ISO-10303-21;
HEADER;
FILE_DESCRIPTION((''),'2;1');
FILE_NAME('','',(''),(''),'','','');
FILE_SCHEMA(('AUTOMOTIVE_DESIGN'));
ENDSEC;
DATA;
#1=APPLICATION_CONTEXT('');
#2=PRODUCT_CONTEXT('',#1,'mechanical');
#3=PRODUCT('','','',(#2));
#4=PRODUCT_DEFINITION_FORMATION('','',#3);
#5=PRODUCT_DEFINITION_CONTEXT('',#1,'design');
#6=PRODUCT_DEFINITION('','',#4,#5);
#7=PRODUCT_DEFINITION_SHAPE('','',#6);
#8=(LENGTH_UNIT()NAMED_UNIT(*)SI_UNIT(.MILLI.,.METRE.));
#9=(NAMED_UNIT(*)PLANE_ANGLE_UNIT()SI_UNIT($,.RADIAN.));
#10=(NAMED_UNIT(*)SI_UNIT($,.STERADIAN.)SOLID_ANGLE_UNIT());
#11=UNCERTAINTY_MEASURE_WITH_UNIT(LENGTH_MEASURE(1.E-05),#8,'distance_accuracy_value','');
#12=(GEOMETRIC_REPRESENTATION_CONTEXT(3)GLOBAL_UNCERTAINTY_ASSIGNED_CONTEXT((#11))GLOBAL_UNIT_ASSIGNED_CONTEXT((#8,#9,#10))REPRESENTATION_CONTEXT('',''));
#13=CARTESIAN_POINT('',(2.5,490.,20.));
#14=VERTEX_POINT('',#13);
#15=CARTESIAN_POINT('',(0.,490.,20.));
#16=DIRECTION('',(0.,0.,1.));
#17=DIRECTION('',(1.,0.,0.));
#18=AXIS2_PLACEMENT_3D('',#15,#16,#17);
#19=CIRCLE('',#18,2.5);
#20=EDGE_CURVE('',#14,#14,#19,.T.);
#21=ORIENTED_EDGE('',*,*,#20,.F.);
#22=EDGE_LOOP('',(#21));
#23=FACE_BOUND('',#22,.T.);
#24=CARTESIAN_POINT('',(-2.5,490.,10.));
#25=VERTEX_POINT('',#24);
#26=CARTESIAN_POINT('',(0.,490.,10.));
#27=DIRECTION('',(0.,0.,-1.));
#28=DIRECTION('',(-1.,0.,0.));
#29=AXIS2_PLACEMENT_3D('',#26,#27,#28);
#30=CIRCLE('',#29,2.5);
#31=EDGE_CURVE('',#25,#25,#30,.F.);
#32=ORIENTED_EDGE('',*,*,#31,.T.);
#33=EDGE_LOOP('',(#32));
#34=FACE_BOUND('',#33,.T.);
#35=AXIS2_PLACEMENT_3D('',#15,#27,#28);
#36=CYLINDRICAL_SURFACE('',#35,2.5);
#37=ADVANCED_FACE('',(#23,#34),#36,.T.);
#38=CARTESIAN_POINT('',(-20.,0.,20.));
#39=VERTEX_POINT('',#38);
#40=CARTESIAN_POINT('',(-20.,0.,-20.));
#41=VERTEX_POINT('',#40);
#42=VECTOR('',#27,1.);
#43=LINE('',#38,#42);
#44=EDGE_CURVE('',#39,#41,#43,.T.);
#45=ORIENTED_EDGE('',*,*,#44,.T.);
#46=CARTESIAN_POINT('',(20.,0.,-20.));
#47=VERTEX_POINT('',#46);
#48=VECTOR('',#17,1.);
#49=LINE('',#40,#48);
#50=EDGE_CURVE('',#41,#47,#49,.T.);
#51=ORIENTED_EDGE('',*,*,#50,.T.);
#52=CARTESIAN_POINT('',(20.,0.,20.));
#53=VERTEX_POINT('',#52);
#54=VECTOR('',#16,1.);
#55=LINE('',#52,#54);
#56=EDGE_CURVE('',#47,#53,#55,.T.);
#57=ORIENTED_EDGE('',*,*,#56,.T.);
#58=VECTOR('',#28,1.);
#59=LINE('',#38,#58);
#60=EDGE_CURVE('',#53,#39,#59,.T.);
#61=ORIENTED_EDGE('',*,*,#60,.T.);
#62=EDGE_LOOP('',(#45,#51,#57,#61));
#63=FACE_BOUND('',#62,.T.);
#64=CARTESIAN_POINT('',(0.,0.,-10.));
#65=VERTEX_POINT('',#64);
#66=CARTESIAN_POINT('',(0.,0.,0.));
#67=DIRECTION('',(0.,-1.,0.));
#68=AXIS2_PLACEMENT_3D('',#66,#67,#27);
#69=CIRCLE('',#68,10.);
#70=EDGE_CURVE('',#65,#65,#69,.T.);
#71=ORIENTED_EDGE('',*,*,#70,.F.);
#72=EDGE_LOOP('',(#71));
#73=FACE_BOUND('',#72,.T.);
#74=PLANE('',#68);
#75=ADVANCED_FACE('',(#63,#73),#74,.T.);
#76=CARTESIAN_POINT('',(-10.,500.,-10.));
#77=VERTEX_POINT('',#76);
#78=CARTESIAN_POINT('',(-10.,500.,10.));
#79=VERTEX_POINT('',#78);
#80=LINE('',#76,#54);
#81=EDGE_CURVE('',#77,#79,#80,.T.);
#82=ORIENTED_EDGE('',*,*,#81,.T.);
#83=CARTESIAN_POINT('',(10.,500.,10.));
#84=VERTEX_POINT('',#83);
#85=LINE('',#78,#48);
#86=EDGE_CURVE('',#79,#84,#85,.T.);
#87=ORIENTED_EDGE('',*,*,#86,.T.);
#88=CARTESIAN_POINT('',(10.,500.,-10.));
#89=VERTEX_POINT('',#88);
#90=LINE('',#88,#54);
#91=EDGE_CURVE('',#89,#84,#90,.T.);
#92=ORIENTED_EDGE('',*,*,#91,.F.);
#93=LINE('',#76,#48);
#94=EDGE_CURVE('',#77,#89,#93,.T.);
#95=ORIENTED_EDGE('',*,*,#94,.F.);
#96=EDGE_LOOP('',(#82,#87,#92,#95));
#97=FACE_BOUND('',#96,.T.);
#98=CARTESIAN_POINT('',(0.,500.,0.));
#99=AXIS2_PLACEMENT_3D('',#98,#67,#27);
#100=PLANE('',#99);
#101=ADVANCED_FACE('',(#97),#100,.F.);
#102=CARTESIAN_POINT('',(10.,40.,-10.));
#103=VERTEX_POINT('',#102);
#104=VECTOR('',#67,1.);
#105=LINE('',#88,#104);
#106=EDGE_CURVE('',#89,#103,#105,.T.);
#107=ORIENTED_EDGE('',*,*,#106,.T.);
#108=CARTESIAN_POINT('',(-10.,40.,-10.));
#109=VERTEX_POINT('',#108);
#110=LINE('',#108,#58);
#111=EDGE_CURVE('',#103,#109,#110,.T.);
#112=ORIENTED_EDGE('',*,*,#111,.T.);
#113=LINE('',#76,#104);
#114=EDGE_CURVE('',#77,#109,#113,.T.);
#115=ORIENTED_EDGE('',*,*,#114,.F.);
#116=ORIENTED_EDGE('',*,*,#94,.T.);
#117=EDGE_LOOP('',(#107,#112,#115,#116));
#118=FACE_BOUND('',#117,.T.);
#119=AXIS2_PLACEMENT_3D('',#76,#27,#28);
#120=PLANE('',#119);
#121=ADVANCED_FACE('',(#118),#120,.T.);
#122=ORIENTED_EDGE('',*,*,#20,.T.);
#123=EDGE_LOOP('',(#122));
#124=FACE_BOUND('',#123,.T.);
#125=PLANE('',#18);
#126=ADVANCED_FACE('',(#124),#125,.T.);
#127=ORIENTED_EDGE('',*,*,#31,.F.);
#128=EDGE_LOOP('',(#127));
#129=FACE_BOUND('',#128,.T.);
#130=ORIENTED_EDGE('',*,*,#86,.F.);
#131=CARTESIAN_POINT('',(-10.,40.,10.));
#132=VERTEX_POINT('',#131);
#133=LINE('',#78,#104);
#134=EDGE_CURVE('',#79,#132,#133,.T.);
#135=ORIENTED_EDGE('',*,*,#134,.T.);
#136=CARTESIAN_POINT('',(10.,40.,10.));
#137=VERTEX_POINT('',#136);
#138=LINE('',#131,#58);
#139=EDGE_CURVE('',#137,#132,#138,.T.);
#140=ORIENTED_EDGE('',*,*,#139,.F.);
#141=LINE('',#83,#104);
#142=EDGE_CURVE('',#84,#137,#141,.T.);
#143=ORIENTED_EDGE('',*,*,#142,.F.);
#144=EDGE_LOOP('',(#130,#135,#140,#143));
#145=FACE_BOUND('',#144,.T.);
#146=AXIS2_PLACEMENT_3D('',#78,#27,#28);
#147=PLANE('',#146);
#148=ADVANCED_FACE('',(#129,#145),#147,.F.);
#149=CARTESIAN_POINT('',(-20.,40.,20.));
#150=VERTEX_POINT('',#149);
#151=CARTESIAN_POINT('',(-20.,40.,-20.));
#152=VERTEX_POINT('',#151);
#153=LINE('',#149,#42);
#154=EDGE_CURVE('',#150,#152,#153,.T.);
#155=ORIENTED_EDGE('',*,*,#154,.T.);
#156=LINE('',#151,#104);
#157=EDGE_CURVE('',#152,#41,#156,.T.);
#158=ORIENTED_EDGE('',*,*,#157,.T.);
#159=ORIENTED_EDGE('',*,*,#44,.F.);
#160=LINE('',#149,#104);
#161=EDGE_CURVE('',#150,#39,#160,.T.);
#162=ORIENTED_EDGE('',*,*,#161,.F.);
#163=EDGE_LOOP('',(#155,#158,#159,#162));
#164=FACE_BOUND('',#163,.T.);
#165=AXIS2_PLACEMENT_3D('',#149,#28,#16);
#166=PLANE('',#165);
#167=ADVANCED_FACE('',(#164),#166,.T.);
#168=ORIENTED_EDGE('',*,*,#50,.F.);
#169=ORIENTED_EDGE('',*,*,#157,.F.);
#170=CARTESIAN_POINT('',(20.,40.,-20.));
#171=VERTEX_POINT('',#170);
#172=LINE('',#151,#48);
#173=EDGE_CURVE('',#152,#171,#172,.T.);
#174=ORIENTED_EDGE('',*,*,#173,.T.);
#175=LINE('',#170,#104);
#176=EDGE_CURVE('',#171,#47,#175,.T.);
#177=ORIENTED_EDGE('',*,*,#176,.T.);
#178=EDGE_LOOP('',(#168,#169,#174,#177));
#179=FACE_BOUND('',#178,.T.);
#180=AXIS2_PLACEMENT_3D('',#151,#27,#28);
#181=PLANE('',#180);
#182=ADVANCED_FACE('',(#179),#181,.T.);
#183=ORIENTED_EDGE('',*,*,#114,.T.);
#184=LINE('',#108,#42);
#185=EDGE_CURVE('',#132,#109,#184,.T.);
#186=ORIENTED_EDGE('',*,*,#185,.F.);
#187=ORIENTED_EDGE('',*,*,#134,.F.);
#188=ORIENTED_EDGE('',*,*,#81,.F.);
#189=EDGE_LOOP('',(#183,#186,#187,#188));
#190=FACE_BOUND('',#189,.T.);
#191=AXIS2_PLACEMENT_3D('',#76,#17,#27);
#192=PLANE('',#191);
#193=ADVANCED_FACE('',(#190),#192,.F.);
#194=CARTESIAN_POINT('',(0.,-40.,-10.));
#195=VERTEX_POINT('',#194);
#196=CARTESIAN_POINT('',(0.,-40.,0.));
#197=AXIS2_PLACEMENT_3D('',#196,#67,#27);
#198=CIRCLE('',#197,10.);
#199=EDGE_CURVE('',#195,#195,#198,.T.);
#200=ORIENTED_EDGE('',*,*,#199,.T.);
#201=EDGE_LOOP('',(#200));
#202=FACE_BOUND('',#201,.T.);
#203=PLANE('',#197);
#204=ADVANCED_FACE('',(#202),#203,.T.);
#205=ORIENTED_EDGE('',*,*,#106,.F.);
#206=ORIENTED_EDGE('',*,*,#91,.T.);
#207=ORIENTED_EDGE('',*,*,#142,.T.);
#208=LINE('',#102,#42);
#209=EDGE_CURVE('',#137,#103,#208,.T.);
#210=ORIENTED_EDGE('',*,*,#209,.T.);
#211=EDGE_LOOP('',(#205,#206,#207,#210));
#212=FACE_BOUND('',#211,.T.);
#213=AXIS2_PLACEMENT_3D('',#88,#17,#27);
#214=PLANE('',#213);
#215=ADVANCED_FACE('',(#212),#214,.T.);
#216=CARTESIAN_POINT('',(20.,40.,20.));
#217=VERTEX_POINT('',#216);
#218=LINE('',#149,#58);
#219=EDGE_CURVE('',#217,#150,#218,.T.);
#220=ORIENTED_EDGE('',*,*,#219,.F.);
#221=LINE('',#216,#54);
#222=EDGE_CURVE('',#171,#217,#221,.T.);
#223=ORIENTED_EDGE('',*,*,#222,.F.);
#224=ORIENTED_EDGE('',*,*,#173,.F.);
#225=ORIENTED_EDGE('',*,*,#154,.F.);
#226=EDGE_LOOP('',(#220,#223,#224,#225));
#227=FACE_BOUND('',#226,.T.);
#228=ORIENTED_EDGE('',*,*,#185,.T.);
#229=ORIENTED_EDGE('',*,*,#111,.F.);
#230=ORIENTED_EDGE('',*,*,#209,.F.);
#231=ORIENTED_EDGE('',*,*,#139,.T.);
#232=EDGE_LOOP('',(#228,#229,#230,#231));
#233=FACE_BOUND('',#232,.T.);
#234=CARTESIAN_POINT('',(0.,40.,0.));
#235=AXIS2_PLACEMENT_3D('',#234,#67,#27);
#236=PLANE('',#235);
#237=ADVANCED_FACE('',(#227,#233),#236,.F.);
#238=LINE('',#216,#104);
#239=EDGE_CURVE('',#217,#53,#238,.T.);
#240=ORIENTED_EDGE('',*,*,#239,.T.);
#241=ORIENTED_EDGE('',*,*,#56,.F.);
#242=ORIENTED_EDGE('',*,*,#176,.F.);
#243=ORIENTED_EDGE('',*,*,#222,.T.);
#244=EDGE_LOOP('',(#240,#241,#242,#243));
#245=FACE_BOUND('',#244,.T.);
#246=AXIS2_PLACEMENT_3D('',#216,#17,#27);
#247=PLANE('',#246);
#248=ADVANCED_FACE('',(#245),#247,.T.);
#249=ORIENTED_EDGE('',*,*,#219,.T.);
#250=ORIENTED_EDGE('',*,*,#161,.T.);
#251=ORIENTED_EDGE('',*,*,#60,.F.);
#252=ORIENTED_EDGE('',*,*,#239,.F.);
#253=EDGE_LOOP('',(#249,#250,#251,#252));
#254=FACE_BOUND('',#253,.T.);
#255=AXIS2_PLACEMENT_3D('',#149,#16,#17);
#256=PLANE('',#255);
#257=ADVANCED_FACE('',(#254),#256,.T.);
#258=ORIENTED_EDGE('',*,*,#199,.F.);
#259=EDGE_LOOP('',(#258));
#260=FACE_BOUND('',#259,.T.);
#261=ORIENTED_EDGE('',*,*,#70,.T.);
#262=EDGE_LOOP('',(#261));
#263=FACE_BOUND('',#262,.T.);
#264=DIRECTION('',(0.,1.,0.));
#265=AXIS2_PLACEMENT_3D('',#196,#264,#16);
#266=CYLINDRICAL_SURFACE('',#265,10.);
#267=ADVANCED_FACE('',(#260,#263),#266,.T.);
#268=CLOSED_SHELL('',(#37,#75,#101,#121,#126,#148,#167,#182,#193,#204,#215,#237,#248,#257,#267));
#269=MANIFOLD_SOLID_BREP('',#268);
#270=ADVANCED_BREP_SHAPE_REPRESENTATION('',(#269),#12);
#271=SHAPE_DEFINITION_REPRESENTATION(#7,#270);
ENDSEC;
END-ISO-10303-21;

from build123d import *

# Parameters (mm, degrees)
SKETCH1_W           = 20
SKETCH1_H           = 20
BOSS_EXTRUDE1_DEPTH = 500
SKETCH2_W           = 40
SKETCH2_H           = 40
BOSS_EXTRUDE2_DEPTH = 40
SKETCH3_R           = 10
BOSS_EXTRUDE3_DEPTH = 40
SKETCH4_R           = 2.5
BOSS_EXTRUDE4_DEPTH = 10


with BuildPart() as part:
    # Sketch1 → Boss-Extrude1 (new body)
    with BuildSketch(Plane(origin=(0, 0, 0), x_dir=(1, 0, 0), z_dir=(0, 1, 0))):
        Rectangle(SKETCH1_W, SKETCH1_H)
    extrude(amount=BOSS_EXTRUDE1_DEPTH)

    # Sketch2 → Boss-Extrude2 (add)
    with BuildSketch(Plane.XZ):
        Rectangle(SKETCH2_W, SKETCH2_H)
    extrude(amount=-BOSS_EXTRUDE2_DEPTH)

    # Sketch3 → Boss-Extrude3 (add)
    with BuildSketch(Plane.XZ):
        Circle(SKETCH3_R)
    extrude(amount=BOSS_EXTRUDE3_DEPTH)

    # Sketch4 → Boss-Extrude4 (add)
    with BuildSketch(Plane.XY.offset(10)):
        with Locations((0, 490)):
            Circle(SKETCH4_R)
    extrude(amount=BOSS_EXTRUDE4_DEPTH)


solid = part.part
